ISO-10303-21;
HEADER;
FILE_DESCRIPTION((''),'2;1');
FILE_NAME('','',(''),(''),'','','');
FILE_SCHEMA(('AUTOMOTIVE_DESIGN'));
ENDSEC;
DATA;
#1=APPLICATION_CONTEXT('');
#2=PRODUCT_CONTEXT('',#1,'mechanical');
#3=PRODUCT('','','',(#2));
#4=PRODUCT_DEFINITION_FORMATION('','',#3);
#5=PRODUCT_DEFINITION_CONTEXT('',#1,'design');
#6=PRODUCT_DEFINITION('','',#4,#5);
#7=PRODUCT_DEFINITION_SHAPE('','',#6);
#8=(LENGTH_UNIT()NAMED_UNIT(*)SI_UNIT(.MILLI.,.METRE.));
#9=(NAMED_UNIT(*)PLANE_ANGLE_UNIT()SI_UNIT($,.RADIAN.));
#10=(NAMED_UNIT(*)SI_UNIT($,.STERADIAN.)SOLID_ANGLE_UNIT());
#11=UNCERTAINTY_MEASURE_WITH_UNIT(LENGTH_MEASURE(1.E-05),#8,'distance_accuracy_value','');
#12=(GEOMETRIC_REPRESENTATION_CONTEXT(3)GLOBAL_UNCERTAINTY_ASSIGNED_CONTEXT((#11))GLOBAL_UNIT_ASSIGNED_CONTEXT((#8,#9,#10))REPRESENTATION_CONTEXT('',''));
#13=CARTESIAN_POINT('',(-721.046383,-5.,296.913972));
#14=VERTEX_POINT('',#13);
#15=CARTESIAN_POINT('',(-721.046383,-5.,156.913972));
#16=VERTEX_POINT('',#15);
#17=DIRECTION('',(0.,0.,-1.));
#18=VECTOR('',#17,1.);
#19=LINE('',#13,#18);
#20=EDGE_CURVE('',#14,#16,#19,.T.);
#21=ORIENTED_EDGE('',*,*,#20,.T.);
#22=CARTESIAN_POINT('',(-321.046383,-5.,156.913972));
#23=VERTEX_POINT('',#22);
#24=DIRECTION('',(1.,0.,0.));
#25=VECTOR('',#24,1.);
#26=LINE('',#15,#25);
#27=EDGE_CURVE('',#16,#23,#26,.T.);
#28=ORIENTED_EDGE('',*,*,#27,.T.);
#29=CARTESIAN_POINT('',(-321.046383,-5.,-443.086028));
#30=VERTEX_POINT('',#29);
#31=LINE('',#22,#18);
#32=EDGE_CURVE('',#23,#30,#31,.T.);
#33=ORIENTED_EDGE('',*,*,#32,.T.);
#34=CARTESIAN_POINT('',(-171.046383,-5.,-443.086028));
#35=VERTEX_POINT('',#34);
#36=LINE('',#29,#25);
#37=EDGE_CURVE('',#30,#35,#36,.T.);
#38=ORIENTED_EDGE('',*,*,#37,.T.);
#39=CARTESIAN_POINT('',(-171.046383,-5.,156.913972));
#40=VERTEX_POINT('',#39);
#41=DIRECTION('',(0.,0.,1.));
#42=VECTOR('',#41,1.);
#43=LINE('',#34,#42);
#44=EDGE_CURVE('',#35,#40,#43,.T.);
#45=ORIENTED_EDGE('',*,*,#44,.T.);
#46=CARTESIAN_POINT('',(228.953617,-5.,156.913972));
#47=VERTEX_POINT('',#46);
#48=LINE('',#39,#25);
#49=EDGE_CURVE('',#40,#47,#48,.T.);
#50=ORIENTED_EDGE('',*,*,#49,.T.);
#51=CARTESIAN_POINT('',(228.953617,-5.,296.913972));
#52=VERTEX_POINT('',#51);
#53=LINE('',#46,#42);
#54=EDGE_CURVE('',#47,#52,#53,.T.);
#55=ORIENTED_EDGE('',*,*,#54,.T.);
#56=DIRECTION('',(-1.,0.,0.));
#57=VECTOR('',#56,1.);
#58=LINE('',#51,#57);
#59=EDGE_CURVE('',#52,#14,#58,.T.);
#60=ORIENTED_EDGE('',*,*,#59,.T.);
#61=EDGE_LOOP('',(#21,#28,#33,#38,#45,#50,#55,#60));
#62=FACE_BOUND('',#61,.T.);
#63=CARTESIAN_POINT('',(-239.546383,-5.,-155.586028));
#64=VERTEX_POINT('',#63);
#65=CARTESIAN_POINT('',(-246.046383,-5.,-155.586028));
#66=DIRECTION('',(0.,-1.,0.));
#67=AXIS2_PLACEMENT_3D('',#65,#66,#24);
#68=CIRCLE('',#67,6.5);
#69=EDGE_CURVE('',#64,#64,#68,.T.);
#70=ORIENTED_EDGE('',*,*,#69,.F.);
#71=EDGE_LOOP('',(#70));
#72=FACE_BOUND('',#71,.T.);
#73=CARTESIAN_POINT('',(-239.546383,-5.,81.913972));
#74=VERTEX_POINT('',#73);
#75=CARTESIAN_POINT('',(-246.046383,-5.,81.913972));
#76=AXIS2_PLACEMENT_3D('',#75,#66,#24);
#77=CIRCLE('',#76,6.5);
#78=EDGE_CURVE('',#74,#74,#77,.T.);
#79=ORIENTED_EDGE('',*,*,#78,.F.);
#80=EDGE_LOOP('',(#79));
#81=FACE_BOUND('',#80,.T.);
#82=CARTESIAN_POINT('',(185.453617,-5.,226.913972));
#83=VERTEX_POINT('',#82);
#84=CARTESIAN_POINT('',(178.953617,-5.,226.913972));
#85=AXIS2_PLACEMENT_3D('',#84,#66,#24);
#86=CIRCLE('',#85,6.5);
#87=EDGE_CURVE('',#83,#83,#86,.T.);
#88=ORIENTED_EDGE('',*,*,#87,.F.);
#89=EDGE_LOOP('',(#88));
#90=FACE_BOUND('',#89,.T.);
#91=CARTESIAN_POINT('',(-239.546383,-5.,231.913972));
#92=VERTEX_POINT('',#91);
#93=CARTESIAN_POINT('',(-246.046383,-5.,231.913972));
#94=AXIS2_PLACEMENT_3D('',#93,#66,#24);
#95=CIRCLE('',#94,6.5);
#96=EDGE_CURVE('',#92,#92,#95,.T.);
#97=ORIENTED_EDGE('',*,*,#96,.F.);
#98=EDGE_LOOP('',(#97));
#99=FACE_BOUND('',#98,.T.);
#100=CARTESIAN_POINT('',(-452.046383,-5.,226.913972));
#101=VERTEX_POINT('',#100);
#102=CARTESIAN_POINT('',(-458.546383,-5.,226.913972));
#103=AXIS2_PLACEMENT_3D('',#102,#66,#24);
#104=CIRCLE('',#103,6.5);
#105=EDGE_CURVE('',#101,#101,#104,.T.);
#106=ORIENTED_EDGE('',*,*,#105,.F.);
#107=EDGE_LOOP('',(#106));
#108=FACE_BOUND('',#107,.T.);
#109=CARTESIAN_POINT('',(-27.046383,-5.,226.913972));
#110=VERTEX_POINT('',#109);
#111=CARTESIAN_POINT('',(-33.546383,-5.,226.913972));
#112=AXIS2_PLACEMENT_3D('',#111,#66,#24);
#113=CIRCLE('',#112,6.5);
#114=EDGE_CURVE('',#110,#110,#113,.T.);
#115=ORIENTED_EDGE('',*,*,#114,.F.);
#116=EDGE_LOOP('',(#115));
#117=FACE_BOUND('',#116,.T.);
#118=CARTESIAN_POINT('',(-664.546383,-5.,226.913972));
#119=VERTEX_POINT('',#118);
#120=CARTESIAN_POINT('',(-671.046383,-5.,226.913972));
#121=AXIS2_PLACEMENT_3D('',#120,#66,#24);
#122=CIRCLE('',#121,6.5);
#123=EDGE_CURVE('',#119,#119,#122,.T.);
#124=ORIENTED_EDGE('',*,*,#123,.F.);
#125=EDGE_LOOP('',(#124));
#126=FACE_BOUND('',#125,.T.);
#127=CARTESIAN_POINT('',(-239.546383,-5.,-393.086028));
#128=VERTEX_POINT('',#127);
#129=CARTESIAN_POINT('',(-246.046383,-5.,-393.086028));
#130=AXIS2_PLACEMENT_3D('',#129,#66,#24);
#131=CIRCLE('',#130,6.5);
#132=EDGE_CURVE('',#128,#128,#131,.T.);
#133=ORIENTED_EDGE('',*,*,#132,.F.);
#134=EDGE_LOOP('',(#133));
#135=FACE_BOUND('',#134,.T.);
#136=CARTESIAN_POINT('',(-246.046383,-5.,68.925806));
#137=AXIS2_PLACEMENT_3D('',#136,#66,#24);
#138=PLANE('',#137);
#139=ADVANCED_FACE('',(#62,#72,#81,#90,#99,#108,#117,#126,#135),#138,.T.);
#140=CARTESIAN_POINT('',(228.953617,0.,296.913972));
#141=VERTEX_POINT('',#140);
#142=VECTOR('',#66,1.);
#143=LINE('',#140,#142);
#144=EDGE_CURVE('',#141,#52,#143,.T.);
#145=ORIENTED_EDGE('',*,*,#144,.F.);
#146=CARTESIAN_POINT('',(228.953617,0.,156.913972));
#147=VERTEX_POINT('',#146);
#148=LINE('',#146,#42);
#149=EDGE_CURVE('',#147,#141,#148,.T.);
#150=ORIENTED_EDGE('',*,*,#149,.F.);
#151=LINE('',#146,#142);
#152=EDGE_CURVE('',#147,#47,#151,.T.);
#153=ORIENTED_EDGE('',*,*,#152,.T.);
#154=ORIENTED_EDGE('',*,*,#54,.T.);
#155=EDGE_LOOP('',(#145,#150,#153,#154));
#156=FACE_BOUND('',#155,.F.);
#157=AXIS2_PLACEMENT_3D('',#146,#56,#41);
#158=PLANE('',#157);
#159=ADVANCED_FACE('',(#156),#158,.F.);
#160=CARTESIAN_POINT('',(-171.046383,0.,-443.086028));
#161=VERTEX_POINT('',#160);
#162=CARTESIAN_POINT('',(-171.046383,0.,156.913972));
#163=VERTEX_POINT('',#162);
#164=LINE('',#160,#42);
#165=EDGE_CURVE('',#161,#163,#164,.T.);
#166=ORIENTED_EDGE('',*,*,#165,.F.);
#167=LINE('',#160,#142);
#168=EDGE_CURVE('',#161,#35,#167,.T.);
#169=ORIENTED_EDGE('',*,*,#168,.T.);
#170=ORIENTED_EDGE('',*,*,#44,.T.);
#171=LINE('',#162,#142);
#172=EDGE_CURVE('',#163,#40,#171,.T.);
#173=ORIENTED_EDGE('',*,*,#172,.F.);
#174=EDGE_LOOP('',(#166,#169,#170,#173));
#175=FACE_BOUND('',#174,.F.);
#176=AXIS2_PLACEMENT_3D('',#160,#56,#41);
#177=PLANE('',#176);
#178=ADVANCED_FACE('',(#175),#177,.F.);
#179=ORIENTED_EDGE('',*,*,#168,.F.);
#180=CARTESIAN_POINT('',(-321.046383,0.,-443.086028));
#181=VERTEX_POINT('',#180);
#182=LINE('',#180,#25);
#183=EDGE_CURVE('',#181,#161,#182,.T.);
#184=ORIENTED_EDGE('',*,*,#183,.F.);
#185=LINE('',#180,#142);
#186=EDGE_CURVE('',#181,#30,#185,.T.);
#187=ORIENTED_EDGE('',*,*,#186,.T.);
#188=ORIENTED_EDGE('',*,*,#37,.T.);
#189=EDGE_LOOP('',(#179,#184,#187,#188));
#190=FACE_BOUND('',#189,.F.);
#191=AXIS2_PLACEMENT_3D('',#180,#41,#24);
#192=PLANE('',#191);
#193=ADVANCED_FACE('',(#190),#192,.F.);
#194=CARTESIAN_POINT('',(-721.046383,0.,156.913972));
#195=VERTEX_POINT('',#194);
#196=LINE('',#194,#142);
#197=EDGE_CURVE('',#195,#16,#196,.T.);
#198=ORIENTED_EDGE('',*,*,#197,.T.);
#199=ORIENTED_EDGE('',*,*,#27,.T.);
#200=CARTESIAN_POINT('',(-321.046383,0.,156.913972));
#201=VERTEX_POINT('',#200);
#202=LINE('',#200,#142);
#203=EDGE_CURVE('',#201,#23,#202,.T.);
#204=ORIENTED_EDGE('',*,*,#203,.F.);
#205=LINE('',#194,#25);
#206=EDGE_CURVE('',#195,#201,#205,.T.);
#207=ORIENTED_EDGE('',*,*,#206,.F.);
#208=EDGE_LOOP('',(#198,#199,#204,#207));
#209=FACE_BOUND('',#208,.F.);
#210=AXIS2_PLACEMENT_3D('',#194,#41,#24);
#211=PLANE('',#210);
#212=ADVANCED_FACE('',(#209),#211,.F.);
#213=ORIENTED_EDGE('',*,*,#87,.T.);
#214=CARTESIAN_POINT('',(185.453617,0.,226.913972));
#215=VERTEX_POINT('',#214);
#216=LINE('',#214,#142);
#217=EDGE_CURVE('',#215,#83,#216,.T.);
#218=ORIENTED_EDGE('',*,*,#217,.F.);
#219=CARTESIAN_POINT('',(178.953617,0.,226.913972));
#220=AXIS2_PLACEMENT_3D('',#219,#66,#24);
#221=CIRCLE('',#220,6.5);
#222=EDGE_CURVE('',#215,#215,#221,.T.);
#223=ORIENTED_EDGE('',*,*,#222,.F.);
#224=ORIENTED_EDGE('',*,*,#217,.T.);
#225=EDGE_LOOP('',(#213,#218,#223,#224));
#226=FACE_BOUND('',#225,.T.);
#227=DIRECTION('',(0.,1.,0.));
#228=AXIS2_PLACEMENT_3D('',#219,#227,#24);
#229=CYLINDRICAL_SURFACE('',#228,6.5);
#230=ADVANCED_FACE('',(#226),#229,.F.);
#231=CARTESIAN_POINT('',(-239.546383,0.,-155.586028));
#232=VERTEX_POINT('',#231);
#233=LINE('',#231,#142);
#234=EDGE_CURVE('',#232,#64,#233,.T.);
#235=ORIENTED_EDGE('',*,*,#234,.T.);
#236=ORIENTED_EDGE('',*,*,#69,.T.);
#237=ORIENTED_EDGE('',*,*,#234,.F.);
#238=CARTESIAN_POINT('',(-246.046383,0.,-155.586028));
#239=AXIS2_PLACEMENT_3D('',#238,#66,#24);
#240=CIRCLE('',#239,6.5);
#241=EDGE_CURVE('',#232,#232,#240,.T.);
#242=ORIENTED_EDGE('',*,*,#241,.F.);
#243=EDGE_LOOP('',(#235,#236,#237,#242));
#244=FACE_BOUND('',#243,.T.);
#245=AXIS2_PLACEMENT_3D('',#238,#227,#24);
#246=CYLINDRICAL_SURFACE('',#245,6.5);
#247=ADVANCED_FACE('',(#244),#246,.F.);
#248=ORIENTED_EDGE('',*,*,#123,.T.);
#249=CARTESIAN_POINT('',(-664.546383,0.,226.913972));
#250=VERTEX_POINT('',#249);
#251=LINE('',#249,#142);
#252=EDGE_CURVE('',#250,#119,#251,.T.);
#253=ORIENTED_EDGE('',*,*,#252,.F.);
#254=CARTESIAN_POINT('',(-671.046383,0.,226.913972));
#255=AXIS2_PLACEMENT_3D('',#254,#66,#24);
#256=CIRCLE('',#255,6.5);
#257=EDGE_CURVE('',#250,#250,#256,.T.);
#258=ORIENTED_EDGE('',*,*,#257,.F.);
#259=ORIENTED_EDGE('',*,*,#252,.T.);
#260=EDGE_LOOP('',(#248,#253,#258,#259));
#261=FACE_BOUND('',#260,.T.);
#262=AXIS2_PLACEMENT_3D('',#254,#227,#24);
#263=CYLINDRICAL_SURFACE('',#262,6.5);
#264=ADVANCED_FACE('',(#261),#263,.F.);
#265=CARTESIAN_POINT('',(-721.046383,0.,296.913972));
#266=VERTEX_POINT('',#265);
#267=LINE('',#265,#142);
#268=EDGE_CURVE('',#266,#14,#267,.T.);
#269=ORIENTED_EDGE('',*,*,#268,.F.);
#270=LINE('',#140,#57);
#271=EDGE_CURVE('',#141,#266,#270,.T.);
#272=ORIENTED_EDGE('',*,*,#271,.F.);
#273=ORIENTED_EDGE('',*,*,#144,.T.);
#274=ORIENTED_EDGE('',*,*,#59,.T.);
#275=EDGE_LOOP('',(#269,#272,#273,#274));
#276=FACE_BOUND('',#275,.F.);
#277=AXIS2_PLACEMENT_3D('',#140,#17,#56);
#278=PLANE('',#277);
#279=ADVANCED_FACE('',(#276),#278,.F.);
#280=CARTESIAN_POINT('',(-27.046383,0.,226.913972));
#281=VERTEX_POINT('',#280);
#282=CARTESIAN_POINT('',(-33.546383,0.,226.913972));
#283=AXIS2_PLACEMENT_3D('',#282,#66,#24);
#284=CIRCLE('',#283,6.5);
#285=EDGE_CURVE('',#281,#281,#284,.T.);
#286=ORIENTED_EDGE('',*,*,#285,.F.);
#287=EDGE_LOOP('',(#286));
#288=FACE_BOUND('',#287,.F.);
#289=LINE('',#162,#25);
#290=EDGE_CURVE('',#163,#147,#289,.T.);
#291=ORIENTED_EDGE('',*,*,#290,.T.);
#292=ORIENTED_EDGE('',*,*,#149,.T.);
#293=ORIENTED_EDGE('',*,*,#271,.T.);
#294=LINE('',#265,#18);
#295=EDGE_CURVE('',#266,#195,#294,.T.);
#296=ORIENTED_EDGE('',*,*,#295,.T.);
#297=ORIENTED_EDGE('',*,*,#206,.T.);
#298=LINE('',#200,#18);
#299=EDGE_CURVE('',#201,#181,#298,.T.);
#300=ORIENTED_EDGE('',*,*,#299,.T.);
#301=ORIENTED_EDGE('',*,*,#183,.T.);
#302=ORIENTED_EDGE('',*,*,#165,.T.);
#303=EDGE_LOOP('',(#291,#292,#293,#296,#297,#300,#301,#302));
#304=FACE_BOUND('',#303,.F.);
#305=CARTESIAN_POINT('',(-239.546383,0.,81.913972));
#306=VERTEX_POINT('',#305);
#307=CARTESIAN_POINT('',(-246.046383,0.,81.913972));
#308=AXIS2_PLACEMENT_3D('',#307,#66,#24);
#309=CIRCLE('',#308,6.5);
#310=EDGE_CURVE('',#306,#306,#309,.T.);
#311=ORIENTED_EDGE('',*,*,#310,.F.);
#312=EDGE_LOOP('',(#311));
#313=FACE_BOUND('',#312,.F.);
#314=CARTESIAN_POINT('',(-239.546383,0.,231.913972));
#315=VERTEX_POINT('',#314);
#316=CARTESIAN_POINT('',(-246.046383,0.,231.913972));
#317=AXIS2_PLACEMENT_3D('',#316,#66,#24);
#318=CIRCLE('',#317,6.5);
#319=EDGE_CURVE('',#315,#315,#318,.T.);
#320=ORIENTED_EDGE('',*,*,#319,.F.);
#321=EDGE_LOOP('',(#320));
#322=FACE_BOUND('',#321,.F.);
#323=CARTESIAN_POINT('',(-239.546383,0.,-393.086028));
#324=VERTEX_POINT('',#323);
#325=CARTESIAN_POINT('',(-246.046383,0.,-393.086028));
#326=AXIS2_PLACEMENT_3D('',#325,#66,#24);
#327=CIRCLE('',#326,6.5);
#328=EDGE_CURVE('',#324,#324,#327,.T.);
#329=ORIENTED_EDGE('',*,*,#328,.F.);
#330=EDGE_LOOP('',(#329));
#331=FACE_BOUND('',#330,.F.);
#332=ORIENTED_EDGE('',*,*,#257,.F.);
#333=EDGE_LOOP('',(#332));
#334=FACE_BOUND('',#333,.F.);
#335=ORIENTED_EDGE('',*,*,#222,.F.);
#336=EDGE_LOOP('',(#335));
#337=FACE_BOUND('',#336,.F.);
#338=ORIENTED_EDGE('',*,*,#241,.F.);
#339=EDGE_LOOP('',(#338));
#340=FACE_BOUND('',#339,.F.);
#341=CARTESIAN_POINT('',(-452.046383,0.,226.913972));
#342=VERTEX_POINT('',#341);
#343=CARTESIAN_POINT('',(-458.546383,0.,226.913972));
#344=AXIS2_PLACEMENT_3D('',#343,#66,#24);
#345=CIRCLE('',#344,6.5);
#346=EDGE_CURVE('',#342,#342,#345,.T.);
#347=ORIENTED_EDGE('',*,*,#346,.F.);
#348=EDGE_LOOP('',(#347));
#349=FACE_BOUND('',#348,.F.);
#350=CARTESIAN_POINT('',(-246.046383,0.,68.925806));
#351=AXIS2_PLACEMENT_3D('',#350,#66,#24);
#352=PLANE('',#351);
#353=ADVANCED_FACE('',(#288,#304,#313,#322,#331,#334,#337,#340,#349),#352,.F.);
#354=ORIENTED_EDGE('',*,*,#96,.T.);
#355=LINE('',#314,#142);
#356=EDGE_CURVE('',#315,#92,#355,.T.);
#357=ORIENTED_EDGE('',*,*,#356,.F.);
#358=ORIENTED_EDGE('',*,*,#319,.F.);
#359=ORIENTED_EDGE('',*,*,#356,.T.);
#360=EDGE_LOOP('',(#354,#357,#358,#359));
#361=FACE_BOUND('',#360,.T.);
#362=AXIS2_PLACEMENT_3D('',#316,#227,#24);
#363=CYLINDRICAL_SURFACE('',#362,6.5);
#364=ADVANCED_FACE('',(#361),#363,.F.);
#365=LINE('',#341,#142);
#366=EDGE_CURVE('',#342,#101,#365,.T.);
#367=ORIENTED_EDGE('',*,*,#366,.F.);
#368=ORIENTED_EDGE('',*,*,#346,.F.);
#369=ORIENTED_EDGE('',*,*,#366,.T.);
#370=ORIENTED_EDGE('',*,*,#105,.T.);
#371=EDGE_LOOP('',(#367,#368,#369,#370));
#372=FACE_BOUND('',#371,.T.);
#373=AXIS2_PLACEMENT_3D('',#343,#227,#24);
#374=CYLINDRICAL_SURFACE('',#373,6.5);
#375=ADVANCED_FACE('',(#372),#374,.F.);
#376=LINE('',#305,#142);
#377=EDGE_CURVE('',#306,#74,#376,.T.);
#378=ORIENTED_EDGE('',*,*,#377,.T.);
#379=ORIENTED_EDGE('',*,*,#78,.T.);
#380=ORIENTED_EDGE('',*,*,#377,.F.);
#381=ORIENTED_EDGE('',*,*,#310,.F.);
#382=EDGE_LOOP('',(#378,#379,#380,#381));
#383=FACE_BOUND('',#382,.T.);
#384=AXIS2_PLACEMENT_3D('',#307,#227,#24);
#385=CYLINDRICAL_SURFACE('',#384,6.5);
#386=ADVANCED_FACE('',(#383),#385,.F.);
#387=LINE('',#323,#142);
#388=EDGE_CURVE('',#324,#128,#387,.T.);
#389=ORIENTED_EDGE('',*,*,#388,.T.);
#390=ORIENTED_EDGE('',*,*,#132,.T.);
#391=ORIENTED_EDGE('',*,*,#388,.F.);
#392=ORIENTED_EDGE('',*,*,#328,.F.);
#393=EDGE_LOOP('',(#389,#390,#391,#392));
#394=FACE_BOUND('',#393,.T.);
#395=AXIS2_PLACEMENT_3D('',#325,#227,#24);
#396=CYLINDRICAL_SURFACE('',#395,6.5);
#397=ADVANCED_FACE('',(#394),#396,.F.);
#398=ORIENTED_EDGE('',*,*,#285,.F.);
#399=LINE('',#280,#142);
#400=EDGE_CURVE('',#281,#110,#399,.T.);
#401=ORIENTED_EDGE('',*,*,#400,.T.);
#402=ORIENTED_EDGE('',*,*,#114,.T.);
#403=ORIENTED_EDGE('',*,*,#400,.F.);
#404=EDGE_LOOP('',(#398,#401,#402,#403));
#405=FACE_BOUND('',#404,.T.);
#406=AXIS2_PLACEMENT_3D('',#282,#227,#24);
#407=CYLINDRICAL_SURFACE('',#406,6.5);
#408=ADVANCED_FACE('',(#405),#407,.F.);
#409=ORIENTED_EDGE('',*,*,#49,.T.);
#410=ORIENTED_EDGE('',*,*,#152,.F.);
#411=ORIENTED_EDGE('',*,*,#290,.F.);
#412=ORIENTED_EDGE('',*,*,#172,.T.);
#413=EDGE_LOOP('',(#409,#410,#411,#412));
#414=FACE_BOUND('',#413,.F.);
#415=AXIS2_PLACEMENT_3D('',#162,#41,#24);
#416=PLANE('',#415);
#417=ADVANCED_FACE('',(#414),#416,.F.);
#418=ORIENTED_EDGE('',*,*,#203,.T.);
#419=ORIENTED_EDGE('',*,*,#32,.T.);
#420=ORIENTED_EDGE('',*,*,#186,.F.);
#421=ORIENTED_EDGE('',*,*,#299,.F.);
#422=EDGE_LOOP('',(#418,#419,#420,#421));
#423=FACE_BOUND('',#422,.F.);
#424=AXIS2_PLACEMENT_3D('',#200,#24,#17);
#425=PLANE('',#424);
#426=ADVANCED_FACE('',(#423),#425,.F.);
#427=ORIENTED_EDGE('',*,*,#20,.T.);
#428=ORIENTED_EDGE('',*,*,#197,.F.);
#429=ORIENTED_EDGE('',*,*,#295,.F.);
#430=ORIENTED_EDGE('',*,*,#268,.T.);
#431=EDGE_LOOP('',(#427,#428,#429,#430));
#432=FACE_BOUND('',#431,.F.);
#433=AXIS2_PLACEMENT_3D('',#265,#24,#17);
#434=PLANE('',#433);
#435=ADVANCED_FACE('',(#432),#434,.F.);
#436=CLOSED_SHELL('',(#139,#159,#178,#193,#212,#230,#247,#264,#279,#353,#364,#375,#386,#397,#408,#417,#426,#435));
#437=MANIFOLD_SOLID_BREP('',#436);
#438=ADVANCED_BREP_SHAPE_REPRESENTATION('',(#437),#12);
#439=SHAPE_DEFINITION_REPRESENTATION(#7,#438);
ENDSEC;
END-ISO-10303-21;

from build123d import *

# Parameters (mm, degrees)
F0_R     = 6.5
F1_DEPTH = 5


with BuildPart() as f1:
    # F0 (on Front) → F1 (new body)
    with BuildSketch(Plane.XZ):
        Polygon((-321.046383, 156.913972), (-321.046383, -443.086028), (-171.046383, -443.086028), (-171.046383, 156.913972), (228.953617, 156.913972), (228.953617, 296.913972), (-721.046383, 296.913972), (-721.046383, 156.913972), align=None)
        with Locations((-246.046383, -393.086028)):
            Circle(F0_R, mode=Mode.SUBTRACT)
        with Locations((-246.046383, -155.586028)):
            Circle(F0_R, mode=Mode.SUBTRACT)
        with Locations((-671.046383, 226.913972)):
            Circle(F0_R, mode=Mode.SUBTRACT)
        with Locations((-458.546383, 226.913972)):
            Circle(F0_R, mode=Mode.SUBTRACT)
        with Locations((-246.046383, 81.913972)):
            Circle(F0_R, mode=Mode.SUBTRACT)
        with Locations((-246.046383, 231.913972)):
            Circle(F0_R, mode=Mode.SUBTRACT)
        with Locations((-33.546383, 226.913972)):
            Circle(F0_R, mode=Mode.SUBTRACT)
        with Locations((178.953617, 226.913972)):
            Circle(F0_R, mode=Mode.SUBTRACT)
    extrude(amount=F1_DEPTH)


solid = f1.part
